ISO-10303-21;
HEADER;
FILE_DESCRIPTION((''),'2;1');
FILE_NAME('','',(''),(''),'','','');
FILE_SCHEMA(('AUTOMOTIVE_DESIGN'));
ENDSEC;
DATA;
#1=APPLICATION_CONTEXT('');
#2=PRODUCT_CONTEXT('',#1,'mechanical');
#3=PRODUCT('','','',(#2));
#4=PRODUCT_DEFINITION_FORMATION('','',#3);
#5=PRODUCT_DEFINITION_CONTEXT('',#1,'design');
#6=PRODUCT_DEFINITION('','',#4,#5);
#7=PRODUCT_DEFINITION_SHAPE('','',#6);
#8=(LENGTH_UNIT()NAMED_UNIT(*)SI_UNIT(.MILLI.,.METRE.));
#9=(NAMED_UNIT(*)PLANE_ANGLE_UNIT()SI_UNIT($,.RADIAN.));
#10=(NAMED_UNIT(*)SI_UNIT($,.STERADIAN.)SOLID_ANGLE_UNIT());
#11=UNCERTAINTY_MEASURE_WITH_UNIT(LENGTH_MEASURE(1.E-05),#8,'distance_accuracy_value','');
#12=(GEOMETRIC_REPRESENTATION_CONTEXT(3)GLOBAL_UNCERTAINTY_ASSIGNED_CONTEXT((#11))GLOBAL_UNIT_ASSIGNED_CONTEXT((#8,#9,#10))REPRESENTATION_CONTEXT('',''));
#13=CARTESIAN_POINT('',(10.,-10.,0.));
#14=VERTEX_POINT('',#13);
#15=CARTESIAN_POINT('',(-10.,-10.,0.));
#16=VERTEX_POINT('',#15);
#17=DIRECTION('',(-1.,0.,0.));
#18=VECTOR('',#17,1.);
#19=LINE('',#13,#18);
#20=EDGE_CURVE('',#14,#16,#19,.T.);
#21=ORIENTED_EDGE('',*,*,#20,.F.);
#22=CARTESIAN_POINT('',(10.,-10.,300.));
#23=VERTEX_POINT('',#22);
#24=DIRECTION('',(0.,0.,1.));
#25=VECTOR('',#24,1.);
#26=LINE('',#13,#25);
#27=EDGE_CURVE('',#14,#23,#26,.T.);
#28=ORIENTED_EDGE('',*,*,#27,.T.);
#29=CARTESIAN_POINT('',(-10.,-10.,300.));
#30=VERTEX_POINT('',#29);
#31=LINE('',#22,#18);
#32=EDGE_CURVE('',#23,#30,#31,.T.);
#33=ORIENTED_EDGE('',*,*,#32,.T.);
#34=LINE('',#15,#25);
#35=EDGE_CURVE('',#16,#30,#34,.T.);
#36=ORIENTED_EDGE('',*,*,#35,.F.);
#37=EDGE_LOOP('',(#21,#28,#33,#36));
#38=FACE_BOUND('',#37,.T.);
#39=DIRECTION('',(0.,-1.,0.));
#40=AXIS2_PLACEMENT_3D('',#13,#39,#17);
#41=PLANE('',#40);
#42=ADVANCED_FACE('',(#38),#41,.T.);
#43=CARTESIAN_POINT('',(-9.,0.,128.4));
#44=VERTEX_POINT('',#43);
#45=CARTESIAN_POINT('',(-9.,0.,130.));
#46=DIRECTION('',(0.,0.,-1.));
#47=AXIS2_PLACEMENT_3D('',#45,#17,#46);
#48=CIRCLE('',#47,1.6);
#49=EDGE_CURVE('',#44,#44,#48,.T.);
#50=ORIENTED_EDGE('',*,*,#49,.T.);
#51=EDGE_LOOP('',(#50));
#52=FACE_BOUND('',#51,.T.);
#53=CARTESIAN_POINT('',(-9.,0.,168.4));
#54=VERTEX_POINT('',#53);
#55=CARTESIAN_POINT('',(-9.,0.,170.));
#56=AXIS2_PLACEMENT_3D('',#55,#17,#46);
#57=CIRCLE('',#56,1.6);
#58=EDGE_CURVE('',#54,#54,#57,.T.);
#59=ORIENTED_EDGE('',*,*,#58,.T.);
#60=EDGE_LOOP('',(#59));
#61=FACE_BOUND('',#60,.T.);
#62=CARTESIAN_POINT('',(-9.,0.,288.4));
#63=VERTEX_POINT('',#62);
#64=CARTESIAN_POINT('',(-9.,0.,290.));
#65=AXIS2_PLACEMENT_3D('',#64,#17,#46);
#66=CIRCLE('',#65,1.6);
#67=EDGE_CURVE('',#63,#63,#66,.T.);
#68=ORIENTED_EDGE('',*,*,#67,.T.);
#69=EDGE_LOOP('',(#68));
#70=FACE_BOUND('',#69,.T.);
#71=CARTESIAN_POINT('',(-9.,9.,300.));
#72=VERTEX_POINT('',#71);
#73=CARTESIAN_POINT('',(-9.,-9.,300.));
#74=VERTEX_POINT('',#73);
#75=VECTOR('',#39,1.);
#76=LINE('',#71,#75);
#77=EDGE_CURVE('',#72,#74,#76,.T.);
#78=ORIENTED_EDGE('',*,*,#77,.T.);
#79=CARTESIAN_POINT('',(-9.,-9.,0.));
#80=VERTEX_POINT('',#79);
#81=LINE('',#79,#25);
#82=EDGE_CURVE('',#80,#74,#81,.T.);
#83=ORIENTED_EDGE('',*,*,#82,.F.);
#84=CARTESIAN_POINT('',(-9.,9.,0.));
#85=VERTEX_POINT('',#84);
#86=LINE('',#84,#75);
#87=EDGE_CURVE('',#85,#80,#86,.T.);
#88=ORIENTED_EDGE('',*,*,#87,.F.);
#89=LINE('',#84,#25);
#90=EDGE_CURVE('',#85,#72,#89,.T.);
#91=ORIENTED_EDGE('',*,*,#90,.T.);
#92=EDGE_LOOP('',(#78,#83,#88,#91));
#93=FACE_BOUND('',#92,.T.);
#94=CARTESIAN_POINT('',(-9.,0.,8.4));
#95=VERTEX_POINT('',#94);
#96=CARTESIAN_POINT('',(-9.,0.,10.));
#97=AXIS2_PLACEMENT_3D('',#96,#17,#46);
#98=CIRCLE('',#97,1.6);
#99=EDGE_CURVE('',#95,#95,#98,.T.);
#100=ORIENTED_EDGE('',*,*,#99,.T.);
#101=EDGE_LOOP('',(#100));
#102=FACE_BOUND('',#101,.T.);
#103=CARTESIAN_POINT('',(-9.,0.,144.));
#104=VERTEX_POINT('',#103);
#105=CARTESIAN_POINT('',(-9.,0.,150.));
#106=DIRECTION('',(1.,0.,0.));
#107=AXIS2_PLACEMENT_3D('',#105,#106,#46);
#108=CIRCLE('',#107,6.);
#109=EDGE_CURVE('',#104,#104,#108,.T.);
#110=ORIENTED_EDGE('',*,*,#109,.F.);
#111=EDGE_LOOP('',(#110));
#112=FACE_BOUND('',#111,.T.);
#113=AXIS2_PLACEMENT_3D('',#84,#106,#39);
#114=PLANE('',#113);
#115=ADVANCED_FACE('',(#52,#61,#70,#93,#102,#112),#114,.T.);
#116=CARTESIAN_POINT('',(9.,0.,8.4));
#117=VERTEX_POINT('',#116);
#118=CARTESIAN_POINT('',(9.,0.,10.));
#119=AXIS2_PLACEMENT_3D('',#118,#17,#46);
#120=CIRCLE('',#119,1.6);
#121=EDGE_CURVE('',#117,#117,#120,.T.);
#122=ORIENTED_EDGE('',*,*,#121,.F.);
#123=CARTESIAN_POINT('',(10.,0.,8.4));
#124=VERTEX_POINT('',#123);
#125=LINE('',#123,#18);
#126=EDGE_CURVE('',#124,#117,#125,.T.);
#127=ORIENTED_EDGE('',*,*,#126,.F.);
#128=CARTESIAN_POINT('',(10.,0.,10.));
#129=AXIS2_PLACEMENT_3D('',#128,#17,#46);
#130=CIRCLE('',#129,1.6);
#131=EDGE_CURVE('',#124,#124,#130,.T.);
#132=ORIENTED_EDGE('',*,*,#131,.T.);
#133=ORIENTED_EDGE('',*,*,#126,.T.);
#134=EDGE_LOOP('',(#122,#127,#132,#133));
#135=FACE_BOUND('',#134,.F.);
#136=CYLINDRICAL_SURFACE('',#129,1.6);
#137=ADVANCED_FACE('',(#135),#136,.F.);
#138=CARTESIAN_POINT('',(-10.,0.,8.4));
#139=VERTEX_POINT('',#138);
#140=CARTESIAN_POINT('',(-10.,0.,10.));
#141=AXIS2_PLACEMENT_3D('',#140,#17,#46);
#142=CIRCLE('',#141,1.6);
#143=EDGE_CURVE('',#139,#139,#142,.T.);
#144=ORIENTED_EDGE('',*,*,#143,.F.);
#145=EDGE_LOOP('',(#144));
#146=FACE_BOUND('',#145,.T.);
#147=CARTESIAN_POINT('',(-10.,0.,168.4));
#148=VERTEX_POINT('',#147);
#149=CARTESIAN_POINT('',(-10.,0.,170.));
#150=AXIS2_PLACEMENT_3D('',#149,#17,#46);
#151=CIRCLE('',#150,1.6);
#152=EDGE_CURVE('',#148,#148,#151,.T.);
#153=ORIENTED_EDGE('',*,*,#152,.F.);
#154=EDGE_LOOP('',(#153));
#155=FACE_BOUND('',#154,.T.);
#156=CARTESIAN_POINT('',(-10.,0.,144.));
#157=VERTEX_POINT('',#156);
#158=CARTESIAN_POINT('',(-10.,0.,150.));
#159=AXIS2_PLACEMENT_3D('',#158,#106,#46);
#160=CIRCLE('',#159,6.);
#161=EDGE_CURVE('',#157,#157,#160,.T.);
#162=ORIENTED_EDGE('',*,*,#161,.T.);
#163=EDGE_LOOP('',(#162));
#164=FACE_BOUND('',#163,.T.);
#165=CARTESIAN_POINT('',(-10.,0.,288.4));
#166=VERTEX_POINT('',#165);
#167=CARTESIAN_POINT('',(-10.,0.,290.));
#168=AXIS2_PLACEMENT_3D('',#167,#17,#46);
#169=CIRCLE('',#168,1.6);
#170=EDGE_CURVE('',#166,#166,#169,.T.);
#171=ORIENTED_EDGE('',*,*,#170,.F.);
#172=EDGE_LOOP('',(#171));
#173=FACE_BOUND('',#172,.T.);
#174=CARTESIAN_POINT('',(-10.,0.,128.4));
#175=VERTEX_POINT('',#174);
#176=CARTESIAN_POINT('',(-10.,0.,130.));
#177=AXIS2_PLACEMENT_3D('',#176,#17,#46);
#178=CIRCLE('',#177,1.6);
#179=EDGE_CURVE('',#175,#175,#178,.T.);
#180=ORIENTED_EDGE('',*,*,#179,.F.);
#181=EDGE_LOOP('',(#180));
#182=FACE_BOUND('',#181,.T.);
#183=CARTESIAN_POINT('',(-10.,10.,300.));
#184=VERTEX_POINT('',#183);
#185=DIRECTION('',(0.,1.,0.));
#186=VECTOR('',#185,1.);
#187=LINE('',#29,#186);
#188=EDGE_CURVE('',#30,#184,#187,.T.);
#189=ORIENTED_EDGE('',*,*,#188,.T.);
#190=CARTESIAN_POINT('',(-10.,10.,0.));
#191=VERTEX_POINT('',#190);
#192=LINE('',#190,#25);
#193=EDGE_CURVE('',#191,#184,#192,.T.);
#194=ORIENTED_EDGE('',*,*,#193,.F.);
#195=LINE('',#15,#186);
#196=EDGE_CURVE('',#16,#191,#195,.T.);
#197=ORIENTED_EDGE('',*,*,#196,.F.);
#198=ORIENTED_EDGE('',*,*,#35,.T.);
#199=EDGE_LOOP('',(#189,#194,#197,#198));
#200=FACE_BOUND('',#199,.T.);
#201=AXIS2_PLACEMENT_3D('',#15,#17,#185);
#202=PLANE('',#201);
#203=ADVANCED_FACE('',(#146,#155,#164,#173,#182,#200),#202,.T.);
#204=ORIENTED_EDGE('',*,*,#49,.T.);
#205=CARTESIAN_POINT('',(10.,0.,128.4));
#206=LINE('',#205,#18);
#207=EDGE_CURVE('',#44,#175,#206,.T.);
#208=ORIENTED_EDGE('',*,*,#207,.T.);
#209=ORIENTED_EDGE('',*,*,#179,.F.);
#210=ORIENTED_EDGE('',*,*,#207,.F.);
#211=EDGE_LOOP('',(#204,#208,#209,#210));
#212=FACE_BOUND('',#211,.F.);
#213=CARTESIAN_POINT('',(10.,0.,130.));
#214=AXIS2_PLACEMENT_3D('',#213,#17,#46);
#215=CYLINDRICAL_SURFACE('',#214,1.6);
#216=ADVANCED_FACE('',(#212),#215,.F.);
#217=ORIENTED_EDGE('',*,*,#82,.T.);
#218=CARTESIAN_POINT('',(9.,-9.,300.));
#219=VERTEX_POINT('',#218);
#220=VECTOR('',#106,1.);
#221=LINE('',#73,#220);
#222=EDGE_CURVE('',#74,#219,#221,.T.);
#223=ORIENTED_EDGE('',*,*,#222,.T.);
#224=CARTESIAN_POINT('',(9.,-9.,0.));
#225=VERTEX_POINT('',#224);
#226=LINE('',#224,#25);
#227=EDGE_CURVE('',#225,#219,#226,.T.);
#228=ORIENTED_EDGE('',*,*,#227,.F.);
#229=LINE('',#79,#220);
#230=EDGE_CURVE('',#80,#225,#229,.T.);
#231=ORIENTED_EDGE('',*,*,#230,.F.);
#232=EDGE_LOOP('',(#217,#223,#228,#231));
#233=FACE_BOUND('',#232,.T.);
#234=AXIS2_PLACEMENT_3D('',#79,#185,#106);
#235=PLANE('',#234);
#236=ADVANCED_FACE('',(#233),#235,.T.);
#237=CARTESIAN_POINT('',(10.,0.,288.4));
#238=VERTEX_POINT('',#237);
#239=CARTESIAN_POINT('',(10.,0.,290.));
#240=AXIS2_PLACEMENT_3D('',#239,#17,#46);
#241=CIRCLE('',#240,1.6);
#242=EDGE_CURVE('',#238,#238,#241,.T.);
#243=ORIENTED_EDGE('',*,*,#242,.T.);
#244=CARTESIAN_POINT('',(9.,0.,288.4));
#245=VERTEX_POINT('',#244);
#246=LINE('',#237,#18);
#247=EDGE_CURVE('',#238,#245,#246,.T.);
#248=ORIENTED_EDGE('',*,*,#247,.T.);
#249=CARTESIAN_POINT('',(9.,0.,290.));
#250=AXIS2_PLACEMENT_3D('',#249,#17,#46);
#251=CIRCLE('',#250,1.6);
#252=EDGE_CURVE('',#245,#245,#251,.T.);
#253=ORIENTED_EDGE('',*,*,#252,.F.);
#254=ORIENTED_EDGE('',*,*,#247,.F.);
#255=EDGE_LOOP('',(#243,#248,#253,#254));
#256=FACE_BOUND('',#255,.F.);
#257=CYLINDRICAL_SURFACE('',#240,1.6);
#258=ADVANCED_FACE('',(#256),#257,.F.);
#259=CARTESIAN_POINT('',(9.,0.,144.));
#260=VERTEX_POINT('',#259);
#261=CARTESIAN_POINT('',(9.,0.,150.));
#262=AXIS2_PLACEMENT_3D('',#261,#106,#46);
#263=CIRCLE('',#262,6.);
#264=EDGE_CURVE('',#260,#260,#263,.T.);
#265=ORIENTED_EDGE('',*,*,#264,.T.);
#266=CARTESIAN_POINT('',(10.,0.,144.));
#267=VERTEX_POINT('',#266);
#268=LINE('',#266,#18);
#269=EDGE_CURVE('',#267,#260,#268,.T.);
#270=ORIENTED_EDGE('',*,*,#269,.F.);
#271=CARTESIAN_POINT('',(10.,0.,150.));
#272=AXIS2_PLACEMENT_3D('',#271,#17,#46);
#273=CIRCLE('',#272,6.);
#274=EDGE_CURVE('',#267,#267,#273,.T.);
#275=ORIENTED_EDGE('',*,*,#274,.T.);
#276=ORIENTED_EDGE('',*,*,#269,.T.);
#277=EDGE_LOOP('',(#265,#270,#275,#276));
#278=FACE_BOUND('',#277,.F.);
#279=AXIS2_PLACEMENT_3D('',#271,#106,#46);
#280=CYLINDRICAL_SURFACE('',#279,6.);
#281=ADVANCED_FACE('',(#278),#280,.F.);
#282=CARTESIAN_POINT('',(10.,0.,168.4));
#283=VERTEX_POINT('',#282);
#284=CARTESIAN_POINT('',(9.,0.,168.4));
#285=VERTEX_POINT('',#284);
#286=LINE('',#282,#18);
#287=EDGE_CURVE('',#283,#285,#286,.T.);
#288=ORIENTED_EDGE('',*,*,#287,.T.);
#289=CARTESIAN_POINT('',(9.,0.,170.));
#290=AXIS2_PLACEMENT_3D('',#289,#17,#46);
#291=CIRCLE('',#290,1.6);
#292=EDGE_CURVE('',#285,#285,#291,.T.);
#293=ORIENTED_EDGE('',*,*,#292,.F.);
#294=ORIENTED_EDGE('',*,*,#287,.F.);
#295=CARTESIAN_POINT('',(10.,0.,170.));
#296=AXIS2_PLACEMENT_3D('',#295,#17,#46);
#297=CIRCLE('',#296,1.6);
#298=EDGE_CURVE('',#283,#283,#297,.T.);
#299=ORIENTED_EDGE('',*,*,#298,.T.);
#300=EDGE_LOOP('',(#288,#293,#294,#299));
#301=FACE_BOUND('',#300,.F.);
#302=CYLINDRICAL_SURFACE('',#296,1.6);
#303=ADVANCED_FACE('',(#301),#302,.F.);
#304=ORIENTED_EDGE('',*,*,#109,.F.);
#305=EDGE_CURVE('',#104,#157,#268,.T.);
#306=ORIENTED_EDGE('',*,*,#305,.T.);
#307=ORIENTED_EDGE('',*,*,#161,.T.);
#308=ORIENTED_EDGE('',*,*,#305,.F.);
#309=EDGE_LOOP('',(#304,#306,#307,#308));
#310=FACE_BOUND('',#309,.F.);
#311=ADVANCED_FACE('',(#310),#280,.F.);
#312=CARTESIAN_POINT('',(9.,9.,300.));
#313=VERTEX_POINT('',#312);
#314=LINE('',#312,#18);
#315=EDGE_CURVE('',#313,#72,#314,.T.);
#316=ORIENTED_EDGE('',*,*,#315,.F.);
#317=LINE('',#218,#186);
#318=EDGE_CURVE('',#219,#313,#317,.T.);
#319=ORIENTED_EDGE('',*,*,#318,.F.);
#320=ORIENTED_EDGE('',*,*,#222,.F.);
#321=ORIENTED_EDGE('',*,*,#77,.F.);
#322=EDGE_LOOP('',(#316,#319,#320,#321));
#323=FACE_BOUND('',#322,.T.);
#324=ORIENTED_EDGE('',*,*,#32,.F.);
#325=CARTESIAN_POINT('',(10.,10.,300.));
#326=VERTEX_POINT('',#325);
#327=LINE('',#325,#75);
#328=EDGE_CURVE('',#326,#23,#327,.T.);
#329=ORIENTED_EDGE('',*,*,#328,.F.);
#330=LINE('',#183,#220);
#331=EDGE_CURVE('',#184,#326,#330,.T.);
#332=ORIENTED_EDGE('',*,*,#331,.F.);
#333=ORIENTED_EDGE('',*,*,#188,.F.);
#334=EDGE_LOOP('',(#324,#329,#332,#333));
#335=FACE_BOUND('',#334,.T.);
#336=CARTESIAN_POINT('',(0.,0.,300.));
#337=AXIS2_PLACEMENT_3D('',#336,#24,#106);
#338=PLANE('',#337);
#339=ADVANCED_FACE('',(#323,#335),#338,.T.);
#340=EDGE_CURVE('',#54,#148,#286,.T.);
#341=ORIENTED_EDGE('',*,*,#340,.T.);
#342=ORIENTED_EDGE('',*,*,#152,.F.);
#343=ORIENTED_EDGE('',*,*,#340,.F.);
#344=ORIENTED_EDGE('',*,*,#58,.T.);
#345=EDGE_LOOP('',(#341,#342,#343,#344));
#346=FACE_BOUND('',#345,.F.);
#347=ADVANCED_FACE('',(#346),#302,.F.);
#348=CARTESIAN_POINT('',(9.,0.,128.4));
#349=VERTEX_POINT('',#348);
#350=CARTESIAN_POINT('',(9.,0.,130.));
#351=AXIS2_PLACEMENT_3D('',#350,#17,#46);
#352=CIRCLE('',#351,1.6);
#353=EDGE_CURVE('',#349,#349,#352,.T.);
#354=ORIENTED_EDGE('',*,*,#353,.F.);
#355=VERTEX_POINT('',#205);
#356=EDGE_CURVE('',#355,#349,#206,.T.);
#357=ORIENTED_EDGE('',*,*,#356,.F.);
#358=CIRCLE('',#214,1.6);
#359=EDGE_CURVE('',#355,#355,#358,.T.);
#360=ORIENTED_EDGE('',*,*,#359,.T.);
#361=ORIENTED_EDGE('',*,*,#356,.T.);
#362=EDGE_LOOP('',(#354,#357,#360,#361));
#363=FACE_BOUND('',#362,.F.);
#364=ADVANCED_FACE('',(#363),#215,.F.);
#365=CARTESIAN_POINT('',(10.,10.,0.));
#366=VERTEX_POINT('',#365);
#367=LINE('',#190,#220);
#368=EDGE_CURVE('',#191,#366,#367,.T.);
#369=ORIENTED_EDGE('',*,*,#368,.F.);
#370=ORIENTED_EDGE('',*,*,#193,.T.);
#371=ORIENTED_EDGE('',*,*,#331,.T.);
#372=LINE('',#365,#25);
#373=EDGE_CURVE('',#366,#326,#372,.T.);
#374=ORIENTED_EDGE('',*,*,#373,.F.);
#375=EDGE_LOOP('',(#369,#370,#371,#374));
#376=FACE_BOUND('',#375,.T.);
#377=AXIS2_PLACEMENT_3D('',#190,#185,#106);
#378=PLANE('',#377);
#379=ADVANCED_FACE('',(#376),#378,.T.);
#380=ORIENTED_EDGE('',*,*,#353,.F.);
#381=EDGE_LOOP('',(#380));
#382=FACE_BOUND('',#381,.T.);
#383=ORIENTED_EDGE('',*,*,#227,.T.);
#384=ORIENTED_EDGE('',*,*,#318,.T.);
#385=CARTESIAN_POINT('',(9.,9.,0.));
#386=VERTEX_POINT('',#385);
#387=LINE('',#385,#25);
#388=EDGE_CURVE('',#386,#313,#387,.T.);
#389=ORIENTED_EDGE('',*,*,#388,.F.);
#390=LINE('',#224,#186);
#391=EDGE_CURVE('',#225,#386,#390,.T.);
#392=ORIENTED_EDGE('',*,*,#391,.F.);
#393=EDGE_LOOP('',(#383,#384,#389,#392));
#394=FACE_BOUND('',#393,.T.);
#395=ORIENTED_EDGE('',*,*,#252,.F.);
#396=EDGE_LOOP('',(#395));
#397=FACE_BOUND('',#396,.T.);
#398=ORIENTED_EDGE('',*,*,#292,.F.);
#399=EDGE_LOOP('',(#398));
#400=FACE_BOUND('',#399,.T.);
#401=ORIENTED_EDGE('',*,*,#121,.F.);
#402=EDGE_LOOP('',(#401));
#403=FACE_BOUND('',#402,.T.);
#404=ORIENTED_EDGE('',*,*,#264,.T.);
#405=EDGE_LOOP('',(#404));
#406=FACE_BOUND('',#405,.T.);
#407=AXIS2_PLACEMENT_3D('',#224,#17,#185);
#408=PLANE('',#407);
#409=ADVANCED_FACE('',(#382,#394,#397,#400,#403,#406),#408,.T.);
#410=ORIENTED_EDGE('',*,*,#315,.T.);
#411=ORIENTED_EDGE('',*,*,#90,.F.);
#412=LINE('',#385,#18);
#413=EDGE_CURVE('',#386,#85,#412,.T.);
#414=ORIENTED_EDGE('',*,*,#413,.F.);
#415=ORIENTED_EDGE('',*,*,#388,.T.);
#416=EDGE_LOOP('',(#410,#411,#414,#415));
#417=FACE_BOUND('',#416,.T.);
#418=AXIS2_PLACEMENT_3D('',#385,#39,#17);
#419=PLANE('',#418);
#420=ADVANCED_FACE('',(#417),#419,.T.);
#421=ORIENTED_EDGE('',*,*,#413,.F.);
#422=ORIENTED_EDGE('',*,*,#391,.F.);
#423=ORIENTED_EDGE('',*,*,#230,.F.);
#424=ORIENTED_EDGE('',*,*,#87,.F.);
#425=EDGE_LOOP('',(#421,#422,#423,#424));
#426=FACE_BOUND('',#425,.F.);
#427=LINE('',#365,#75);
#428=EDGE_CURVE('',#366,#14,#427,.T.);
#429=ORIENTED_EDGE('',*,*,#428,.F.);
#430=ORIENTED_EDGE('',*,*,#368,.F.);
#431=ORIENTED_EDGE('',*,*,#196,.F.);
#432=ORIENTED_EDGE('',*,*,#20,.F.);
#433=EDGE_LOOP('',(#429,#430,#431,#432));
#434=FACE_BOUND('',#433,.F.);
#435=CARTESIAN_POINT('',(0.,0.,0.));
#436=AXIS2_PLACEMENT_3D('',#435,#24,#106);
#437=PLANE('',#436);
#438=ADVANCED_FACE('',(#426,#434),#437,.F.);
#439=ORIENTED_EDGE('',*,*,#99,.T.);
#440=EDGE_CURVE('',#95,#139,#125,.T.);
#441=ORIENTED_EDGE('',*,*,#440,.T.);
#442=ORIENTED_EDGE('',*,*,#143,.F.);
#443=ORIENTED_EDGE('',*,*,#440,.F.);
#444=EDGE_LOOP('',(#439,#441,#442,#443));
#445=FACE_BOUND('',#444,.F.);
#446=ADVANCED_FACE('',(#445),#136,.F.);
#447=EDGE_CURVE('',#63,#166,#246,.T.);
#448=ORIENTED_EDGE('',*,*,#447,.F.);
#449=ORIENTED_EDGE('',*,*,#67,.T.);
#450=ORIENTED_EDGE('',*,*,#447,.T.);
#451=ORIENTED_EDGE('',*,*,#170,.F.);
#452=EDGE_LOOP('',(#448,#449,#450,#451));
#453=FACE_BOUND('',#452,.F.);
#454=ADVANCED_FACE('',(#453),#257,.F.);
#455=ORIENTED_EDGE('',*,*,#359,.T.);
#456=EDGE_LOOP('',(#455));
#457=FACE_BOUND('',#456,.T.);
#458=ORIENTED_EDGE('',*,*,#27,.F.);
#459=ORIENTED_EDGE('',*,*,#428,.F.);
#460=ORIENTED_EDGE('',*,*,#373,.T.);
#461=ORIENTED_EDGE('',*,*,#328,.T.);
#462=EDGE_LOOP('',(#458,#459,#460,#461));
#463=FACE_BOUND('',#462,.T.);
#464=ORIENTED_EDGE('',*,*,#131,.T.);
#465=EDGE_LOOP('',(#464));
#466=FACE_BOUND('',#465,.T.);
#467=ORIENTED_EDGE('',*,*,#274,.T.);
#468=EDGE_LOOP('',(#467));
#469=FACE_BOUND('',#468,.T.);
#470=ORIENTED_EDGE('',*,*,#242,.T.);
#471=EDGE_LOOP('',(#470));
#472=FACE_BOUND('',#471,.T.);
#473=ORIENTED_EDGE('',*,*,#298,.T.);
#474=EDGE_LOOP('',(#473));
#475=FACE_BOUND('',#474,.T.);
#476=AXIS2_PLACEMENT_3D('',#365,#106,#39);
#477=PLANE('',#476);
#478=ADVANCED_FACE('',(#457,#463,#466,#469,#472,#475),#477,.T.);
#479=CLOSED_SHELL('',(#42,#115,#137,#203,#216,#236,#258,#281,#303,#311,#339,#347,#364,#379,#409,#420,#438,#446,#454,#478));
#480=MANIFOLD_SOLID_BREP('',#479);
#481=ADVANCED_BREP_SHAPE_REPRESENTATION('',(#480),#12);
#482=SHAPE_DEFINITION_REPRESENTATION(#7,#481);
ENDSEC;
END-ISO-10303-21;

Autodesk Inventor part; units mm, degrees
ref_plane "YZ Plane" through (0, 0, 0) normal (1, 0, 0) x (0, 1, 0)
ref_plane "XZ Plane" through (0, 0, 0) normal (0, 1, 0) x (-1, 0, 0)
ref_plane "XY Plane" through (0, 0, 0) normal (0, 0, 1) x (1, 0, 0)
sketch "スケッチ1" plane through (0, 0, 0) normal (0, 0, 1) x (1, 0, 0)
  line L0 (10, -10) -> (-10, -10)
  line L1 (-10, -10) -> (-10, 10)
  line L2 (-10, 10) -> (10, 10)
  line L3 (10, 10) -> (10, -10)
  line L4 (10, -10) -> (-10, 10) construction
  line L5 (-10, -10) -> (10, 10) construction
  line L6 (9, 9) -> (-9, 9)
  line L7 (-9, 9) -> (-9, -9)
  line L8 (-9, -9) -> (9, -9)
  line L9 (9, -9) -> (9, 9)
  point P0 (0, 0)
  dimension "d0" = 20
  dimension "d1" = 20
  dimension "d2" = 1
extrude "押し出し1" add sketch "スケッチ1" along normal blind 300
sketch "スケッチ2" plane through (10, -10, 0) normal (1, 0, 0) x (0, 0, -1)
  line L0 (0, 10) -> (-300, 10)
  line L1 (-300, 0) -> (-300, 20) projected
  line L2 (0, 0) -> (0, 20) projected
  point P0 (-290, 10)
  point P1 (-10, 10)
  point P2 (-150, 10)
  point P3 (-170, 10)
  point P4 (-130, 10)
  dimension "d5" = 10
  dimension "d6" = 10
  dimension "d17" = 20
  dimension "d18" = 20
hole "穴1" at (10, 0, 290) at (10, 0, 10) at (10, 0, 170) at (10, 0, 130) direction (-1, 0, 0) diameter 3.2 end through all
sketch "スケッチ3" plane through (10, -10, 0) normal (1, 0, 0) x (0, 0, -1)
  line L0 (0, 10) -> (-300, 10)
  line L1 (-300, 1) -> (-300, 19) projected
  circle A0 centre (-150, 10) radius 6
  dimension "d14" = 12
extrude "押し出し2" cut sketch "スケッチ3" against normal blind 300
properties part number "xx_shita"
